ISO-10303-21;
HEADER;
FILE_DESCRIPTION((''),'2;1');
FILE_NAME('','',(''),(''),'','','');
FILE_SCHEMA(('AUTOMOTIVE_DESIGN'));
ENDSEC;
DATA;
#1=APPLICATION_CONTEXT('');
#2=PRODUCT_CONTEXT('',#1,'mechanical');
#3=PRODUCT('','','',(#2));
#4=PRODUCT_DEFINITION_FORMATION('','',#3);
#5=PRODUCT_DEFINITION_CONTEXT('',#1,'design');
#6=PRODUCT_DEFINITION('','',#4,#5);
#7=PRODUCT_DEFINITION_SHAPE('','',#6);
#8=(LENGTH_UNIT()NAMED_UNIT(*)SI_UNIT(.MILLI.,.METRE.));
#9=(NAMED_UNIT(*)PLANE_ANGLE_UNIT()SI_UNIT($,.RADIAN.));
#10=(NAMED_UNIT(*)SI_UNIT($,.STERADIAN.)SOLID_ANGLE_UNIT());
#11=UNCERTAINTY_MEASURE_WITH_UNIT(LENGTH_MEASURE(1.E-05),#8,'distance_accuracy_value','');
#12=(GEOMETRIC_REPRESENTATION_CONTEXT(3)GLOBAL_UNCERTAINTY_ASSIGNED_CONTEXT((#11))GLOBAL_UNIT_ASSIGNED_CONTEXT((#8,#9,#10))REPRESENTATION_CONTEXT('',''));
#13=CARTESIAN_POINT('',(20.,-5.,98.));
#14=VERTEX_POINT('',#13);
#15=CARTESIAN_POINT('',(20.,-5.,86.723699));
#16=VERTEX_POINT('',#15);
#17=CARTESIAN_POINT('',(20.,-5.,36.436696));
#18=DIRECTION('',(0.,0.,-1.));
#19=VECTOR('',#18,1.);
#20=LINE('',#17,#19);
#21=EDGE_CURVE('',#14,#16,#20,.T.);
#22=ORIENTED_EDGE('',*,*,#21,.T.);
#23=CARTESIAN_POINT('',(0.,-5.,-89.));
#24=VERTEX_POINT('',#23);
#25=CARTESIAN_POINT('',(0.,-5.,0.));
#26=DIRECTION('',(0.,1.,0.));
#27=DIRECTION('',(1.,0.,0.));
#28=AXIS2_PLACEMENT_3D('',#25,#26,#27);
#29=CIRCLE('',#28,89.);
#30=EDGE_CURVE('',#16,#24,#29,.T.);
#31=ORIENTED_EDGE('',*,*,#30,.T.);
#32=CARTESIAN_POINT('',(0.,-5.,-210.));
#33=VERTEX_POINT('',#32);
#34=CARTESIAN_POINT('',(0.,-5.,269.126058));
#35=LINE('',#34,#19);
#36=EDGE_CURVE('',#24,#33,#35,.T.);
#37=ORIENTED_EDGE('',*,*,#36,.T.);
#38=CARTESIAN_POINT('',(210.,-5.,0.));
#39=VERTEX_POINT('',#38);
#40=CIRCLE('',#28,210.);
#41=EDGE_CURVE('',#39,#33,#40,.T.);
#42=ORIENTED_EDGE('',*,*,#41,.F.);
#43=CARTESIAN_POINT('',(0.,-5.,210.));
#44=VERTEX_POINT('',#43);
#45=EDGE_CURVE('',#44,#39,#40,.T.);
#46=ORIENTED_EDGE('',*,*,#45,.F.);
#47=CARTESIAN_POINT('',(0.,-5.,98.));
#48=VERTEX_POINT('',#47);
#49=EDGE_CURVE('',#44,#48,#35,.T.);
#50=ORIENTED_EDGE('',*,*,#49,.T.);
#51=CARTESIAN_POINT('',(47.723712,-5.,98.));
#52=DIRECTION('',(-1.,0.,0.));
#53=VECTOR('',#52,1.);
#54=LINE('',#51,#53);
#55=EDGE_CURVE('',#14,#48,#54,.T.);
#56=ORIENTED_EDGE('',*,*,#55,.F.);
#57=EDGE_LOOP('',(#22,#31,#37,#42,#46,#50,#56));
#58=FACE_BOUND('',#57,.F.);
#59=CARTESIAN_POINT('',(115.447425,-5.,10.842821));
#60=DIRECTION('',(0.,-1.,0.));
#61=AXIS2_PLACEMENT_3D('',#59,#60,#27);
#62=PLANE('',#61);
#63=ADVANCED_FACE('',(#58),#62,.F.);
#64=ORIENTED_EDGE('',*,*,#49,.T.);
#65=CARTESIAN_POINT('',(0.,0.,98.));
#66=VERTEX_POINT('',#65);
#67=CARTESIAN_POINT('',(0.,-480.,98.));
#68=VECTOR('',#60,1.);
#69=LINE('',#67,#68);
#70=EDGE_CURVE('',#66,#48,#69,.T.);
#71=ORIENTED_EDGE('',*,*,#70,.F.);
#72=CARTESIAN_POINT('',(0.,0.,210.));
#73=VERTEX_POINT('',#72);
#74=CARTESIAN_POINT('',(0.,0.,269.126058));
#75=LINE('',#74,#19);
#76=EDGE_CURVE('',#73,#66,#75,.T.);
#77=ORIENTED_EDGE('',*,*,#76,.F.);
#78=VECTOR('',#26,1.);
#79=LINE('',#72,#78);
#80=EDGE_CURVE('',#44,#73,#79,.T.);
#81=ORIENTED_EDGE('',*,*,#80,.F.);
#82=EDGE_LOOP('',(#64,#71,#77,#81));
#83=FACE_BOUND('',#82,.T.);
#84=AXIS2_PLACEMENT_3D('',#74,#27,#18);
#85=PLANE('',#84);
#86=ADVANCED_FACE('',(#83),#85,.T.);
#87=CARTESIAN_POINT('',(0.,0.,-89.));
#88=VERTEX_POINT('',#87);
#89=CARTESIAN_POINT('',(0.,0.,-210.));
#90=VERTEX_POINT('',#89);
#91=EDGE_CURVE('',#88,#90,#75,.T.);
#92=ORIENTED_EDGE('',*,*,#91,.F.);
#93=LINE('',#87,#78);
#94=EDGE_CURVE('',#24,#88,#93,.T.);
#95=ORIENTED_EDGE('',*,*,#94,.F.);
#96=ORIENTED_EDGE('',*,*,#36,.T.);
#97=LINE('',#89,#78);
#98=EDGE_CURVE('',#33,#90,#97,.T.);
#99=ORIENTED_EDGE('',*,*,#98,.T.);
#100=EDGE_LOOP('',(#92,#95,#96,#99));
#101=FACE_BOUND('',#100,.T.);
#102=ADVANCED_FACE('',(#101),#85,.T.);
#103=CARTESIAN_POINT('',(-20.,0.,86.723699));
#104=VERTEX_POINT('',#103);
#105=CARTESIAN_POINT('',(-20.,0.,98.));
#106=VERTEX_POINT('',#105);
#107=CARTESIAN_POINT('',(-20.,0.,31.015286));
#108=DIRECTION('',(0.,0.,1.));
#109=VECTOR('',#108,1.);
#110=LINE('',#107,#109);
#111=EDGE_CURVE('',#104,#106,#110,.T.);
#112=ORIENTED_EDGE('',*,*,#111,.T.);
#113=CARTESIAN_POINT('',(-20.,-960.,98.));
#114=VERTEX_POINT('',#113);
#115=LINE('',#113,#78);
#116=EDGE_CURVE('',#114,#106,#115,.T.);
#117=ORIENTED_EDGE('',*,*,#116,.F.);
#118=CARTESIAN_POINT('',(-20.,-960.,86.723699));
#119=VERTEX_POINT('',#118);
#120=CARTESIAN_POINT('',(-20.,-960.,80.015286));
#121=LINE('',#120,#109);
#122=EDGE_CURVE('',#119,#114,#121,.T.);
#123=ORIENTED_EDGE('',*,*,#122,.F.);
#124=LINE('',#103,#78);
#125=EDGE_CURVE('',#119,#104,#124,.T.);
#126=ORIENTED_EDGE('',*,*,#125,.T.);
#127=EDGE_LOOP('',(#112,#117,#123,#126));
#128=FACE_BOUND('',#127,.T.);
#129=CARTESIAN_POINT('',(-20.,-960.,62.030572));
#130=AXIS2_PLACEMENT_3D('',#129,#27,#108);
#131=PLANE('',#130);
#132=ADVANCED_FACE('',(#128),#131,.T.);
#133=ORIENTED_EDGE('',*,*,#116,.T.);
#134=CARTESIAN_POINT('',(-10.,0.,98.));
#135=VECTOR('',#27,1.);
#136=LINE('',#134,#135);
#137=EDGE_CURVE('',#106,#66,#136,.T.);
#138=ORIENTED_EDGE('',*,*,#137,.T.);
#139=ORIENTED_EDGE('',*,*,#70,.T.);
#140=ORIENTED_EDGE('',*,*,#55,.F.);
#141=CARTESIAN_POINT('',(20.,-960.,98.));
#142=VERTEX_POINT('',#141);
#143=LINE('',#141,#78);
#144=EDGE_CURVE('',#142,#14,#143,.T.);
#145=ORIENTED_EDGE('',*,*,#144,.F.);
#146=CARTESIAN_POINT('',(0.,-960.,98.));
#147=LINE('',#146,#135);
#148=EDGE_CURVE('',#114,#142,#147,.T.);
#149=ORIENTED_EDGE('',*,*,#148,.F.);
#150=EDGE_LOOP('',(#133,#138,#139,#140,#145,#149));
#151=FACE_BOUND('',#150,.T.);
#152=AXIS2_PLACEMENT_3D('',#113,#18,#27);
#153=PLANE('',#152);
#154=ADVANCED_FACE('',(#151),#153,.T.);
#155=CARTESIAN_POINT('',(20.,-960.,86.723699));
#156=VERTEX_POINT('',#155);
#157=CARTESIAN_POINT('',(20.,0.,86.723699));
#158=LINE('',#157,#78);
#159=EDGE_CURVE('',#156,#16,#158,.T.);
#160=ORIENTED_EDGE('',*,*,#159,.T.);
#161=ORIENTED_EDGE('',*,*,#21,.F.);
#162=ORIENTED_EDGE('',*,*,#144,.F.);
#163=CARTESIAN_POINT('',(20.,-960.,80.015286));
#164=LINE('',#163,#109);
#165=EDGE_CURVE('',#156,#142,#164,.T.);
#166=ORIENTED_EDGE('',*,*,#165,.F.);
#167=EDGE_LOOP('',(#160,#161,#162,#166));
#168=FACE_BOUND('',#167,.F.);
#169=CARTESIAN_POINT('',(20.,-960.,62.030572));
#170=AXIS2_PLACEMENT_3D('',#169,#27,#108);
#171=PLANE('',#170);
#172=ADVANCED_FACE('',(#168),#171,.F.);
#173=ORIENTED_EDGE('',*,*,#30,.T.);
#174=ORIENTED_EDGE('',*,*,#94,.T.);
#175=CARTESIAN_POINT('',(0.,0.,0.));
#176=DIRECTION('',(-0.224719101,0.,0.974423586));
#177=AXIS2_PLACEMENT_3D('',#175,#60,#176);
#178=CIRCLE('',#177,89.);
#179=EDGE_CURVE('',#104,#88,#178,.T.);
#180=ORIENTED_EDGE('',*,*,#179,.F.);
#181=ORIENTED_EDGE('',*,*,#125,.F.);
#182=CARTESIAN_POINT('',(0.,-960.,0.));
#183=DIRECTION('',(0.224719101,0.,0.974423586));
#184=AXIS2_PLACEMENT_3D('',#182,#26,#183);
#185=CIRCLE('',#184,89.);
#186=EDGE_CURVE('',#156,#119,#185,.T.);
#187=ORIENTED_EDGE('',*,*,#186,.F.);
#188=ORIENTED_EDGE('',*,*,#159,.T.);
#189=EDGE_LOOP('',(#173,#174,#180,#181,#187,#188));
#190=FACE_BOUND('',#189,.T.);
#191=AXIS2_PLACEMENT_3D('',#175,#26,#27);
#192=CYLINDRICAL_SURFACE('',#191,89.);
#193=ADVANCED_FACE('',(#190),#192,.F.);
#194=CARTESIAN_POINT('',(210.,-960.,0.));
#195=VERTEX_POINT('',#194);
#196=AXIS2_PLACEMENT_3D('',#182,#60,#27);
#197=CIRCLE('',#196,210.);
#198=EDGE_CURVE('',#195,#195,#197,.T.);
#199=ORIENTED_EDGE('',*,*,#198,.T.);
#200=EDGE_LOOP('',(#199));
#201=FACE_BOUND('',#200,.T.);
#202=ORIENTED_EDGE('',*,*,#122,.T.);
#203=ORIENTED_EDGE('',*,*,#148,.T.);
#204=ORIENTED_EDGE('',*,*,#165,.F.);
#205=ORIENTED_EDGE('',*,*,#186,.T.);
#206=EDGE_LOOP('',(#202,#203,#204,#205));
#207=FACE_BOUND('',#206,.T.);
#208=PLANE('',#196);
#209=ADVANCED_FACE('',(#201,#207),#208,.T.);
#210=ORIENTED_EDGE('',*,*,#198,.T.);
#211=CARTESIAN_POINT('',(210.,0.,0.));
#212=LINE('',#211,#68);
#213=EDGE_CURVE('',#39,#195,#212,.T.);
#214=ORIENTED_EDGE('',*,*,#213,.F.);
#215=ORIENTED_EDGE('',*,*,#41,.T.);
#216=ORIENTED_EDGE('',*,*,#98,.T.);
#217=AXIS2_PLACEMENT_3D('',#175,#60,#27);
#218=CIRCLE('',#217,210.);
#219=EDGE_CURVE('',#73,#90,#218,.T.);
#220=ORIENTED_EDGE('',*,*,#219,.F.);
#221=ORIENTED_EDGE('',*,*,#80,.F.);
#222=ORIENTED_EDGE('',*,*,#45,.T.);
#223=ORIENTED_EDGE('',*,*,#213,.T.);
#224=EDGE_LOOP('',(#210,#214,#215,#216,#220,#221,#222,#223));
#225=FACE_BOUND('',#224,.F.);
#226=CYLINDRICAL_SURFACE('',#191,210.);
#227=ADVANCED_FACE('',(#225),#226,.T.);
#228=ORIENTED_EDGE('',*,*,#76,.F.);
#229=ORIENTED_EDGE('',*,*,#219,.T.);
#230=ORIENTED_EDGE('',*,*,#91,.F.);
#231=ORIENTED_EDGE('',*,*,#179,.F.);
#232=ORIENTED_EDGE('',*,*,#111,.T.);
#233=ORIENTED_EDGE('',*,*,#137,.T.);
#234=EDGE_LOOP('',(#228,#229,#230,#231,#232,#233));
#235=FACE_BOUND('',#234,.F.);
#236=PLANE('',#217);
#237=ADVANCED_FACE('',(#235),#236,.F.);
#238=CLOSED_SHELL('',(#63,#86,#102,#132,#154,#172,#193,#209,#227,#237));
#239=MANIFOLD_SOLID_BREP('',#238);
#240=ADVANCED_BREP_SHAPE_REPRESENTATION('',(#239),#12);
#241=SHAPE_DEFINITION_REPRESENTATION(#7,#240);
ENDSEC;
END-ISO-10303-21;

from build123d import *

# Parameters (mm, degrees)
F1_R     = 210
F1_R_2   = 89
F2_DEPTH = 960
F3_W     = 40
F3_H     = 35.969428
F4_DEPTH = 1035
F6_DEPTH = 5


with BuildPart() as f2:
    # F1 (on face) → F2 (new body)
    with BuildSketch(Plane.XZ):
        Circle(F1_R)
        Circle(F1_R_2, mode=Mode.SUBTRACT)
    extrude(amount=F2_DEPTH)

    # F3 (on face) → F4 (cut)
    with BuildSketch(Plane.XZ.offset(960)):
        with Locations((0, 80.015286)):
            Rectangle(F3_W, F3_H)
    extrude(amount=-F4_DEPTH, mode=Mode.SUBTRACT)

    # F5 (on face) → F6 (cut)
    with BuildSketch(Plane.XZ):
        Polygon((0, 269.126058), (0, 0), (0, -241.775826), (255.997956, -190.357447), (264.750004, 22.974176), (219.895661, 219.895661), (88.614672, 269.126058), align=None)
    extrude(amount=F6_DEPTH, mode=Mode.SUBTRACT)


solid = f2.part
